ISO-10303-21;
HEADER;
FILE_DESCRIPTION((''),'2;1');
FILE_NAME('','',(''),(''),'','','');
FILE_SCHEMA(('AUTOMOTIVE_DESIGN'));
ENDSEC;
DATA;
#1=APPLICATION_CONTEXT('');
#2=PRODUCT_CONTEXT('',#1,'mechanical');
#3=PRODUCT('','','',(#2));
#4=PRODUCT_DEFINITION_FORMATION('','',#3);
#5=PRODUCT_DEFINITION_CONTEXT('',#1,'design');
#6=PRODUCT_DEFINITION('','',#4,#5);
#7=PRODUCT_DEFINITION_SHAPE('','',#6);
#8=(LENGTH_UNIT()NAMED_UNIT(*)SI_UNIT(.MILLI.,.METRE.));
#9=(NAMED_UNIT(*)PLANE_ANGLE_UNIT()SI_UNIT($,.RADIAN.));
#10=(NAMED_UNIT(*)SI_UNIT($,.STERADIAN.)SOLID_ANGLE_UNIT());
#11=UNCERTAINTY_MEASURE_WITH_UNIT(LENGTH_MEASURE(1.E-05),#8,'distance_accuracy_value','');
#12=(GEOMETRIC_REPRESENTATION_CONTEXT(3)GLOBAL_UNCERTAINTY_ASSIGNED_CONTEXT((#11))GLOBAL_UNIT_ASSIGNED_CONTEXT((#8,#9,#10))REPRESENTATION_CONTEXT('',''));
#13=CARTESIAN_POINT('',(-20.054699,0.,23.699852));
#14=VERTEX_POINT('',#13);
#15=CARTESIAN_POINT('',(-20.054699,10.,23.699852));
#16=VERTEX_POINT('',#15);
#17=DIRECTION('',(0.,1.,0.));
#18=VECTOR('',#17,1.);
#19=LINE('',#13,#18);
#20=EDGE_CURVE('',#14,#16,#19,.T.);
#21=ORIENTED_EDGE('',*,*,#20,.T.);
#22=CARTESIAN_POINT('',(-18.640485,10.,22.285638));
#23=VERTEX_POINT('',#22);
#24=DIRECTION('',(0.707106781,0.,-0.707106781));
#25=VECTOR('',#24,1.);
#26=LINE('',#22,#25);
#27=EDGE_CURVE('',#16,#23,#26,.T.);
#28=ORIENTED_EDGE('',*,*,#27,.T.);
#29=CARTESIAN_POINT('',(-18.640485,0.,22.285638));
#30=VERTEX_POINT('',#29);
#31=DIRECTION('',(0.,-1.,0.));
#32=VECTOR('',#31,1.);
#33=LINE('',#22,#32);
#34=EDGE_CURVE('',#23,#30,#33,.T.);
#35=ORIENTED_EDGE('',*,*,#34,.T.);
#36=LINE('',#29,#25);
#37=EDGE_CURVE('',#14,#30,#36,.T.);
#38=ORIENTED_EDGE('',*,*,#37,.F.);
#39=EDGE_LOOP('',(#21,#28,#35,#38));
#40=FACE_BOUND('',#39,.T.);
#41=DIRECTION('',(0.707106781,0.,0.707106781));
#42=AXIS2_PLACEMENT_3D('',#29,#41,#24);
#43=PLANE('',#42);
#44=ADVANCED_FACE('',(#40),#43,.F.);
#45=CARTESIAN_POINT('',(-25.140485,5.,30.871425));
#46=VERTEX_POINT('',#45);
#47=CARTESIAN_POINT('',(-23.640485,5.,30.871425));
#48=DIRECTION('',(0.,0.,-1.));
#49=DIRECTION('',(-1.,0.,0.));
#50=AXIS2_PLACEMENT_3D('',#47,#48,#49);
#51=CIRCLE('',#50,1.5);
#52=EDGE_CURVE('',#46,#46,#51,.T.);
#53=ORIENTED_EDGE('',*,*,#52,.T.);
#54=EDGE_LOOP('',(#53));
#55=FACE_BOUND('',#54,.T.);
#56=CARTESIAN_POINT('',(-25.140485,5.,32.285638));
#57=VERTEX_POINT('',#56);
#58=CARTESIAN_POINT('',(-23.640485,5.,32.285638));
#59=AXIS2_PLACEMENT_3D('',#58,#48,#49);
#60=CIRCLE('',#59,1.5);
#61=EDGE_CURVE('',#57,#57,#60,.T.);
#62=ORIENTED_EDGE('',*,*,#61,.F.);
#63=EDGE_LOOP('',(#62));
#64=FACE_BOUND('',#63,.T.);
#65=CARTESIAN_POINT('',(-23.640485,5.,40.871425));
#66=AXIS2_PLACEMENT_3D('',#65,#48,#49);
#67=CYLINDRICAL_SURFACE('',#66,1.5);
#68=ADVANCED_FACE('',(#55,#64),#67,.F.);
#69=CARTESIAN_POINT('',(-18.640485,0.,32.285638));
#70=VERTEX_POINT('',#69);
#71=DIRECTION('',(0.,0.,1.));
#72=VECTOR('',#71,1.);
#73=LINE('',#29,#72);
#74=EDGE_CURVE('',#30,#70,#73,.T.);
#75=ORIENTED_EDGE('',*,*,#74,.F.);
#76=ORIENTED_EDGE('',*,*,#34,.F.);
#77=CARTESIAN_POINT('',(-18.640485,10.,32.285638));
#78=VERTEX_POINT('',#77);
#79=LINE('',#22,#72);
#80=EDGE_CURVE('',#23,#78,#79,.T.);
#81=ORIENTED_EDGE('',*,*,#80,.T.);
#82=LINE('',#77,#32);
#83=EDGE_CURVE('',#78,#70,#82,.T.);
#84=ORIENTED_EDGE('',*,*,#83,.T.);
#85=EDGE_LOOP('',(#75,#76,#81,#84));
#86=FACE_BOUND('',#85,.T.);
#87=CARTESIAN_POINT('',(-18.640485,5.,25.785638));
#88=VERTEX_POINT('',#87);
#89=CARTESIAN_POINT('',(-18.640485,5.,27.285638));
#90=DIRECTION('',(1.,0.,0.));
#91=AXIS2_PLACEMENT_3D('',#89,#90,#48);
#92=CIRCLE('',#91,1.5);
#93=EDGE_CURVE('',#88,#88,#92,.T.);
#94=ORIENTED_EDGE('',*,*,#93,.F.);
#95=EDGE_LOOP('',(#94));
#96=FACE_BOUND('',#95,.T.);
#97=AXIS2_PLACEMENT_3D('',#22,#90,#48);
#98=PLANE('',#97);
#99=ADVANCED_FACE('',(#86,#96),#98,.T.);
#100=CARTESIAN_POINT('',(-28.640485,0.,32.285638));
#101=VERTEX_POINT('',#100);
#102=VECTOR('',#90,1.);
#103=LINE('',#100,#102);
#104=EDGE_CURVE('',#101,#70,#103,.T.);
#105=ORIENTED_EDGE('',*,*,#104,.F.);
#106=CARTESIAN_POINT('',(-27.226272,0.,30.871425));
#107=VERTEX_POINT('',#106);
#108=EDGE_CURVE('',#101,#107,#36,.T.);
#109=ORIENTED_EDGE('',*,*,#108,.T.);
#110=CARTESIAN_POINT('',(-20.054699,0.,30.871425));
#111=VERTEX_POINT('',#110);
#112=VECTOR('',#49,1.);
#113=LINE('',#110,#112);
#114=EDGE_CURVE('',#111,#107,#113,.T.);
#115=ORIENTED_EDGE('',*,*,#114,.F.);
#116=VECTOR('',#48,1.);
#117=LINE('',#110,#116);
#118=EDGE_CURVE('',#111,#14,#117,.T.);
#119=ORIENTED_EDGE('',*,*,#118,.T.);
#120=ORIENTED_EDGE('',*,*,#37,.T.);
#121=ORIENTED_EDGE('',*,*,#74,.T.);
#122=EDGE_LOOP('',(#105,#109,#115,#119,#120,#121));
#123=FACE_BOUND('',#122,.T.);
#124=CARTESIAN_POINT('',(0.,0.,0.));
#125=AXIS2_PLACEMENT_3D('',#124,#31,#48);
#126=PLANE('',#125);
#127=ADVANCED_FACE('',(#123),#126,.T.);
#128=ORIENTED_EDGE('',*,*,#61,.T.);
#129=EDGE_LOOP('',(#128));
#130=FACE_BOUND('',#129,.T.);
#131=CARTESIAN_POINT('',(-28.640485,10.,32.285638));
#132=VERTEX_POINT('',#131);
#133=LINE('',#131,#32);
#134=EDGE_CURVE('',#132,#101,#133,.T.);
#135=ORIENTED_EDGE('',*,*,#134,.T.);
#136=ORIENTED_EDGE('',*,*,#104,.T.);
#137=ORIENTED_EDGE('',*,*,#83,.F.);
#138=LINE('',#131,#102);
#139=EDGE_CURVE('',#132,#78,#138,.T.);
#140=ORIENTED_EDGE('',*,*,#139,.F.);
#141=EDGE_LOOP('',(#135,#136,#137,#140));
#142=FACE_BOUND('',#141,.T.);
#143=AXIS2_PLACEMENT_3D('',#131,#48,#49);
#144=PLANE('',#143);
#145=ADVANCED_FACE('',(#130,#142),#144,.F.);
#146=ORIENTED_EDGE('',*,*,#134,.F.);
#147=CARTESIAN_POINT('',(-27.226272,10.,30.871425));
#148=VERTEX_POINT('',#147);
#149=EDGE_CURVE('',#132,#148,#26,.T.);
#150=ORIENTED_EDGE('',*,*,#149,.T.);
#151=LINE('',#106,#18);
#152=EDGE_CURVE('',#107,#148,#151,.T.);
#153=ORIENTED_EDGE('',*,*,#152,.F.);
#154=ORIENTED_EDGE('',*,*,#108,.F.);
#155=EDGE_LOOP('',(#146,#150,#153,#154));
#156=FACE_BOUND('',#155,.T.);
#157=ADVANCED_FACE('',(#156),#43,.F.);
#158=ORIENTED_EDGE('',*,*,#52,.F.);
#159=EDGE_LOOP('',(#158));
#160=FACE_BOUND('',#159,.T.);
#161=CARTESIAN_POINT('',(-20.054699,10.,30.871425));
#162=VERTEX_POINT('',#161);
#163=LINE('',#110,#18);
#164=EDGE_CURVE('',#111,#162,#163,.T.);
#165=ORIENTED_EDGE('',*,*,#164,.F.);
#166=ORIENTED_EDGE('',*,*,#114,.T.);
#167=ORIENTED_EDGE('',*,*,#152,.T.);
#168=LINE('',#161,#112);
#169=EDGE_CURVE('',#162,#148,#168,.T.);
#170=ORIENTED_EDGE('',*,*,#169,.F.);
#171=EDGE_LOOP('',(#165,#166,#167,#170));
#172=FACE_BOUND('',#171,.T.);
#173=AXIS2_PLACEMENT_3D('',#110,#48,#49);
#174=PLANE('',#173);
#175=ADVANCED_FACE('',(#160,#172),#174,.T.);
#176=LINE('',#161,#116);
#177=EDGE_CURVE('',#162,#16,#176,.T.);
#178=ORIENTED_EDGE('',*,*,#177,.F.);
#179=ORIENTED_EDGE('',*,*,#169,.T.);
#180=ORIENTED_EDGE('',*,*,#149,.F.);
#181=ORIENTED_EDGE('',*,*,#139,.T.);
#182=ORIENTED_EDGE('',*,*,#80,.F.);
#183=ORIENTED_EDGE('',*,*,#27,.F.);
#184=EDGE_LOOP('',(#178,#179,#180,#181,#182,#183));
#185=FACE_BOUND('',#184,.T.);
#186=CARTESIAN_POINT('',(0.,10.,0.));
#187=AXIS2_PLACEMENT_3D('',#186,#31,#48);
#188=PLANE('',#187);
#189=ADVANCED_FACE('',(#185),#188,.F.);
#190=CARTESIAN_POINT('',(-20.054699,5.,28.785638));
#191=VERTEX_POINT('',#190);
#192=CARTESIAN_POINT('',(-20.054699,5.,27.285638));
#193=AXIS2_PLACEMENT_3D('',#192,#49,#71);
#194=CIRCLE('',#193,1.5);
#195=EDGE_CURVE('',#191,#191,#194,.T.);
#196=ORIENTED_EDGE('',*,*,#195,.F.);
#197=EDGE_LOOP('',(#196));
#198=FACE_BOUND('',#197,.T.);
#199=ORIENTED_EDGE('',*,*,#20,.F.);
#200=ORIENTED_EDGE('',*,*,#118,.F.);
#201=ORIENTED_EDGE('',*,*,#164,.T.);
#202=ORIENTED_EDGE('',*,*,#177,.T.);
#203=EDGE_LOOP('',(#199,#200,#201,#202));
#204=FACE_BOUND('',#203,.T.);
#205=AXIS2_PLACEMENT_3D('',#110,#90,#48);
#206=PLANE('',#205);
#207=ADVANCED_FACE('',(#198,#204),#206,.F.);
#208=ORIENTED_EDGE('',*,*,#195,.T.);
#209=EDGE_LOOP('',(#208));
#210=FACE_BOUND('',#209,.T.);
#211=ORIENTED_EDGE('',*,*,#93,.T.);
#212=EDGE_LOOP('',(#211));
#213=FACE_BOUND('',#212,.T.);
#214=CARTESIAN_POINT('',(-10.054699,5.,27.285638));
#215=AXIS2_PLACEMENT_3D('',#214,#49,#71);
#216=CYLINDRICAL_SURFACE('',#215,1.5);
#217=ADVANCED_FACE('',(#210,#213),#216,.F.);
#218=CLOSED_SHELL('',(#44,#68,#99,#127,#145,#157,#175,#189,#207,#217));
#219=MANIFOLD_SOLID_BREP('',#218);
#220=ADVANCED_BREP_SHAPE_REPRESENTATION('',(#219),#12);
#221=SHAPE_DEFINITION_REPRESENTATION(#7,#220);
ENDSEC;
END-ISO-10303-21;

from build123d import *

# Parameters (mm, degrees)
IZIM1_W                     = 10
IZIM1_H                     = 10
Y_KSEKLIK_EKSTR_ZYON1_DEPTH = 10
KES_EKSTR_ZYON1_DEPTH       = 10
IZIM3_W                     = 9.22702718
IZIM3_H                     = 8.892036637
KES_EKSTR_ZYON2_DEPTH       = 10
KES_EKSTR_ZYON3_DEPTH       = 10
IZIM6_R                     = 1.5
KES_EKSTR_ZYON4_DEPTH       = 10


with BuildPart() as part:
    # Çizim1 → Yükseklik-Ekstrüzyon1 (new body)
    with BuildSketch(Plane(origin=(0, 0, 0), x_dir=(1, 0, 0), z_dir=(0, 1, 0))):
        with Locations((-23.640485452, -27.285638146)):
            Rectangle(IZIM1_W, IZIM1_H)
    extrude(amount=Y_KSEKLIK_EKSTR_ZYON1_DEPTH)

    # Çizim2 → Kes-Ekstrüzyon1 (cut)
    with BuildSketch(Plane(origin=(0, 10, 0), x_dir=(1, 0, 0), z_dir=(0, 1, 0))):
        Polygon((-28.640485452, -22.285638146), (-18.640485452, -22.285638146), (-28.640485452, -32.285638146), align=None)
    extrude(amount=-KES_EKSTR_ZYON1_DEPTH, mode=Mode.SUBTRACT)

    # Çizim3 → Kes-Ekstrüzyon2 (cut)
    with BuildSketch(Plane(origin=(0, 10, 0), x_dir=(1, 0, 0), z_dir=(0, 1, 0))):
        with Locations((-24.668212605, -26.425406266)):
            Rectangle(IZIM3_W, IZIM3_H)
    extrude(amount=-KES_EKSTR_ZYON2_DEPTH, mode=Mode.SUBTRACT)

    # Çizim5 → Kes-Ekstrüzyon3 (cut)
    with BuildSketch(Plane.ZY.offset(20.054699015)):
        with BuildLine():
            ThreePointArc((28.785638146, 5), (27.970743901, 6.334402527), (26.411464673, 6.218942467))
            Line((26.411464673, 6.218942467), (28.15981162, 3.781057533))
            ThreePointArc((28.15981162, 3.781057533), (28.620040674, 4.314894245), (28.785638146, 5))
        make_face()
        with BuildLine():
            Line((28.15981162, 3.781057533), (26.411464673, 6.218942467))
            ThreePointArc((26.411464673, 6.218942467), (26.066695679, 4.125826527), (28.15981162, 3.781057533))
        make_face()
    extrude(amount=-KES_EKSTR_ZYON3_DEPTH, mode=Mode.SUBTRACT)

    # Çizim6 → Kes-Ekstrüzyon4 (cut)
    with BuildSketch(Plane(origin=(0, 0, 30.871424584), x_dir=(-1, 0, 0), z_dir=(0, 0, -1))):
        with Locations((23.640485452, 5)):
            Circle(IZIM6_R)
    extrude(amount=-KES_EKSTR_ZYON4_DEPTH, mode=Mode.SUBTRACT)


solid = part.part
